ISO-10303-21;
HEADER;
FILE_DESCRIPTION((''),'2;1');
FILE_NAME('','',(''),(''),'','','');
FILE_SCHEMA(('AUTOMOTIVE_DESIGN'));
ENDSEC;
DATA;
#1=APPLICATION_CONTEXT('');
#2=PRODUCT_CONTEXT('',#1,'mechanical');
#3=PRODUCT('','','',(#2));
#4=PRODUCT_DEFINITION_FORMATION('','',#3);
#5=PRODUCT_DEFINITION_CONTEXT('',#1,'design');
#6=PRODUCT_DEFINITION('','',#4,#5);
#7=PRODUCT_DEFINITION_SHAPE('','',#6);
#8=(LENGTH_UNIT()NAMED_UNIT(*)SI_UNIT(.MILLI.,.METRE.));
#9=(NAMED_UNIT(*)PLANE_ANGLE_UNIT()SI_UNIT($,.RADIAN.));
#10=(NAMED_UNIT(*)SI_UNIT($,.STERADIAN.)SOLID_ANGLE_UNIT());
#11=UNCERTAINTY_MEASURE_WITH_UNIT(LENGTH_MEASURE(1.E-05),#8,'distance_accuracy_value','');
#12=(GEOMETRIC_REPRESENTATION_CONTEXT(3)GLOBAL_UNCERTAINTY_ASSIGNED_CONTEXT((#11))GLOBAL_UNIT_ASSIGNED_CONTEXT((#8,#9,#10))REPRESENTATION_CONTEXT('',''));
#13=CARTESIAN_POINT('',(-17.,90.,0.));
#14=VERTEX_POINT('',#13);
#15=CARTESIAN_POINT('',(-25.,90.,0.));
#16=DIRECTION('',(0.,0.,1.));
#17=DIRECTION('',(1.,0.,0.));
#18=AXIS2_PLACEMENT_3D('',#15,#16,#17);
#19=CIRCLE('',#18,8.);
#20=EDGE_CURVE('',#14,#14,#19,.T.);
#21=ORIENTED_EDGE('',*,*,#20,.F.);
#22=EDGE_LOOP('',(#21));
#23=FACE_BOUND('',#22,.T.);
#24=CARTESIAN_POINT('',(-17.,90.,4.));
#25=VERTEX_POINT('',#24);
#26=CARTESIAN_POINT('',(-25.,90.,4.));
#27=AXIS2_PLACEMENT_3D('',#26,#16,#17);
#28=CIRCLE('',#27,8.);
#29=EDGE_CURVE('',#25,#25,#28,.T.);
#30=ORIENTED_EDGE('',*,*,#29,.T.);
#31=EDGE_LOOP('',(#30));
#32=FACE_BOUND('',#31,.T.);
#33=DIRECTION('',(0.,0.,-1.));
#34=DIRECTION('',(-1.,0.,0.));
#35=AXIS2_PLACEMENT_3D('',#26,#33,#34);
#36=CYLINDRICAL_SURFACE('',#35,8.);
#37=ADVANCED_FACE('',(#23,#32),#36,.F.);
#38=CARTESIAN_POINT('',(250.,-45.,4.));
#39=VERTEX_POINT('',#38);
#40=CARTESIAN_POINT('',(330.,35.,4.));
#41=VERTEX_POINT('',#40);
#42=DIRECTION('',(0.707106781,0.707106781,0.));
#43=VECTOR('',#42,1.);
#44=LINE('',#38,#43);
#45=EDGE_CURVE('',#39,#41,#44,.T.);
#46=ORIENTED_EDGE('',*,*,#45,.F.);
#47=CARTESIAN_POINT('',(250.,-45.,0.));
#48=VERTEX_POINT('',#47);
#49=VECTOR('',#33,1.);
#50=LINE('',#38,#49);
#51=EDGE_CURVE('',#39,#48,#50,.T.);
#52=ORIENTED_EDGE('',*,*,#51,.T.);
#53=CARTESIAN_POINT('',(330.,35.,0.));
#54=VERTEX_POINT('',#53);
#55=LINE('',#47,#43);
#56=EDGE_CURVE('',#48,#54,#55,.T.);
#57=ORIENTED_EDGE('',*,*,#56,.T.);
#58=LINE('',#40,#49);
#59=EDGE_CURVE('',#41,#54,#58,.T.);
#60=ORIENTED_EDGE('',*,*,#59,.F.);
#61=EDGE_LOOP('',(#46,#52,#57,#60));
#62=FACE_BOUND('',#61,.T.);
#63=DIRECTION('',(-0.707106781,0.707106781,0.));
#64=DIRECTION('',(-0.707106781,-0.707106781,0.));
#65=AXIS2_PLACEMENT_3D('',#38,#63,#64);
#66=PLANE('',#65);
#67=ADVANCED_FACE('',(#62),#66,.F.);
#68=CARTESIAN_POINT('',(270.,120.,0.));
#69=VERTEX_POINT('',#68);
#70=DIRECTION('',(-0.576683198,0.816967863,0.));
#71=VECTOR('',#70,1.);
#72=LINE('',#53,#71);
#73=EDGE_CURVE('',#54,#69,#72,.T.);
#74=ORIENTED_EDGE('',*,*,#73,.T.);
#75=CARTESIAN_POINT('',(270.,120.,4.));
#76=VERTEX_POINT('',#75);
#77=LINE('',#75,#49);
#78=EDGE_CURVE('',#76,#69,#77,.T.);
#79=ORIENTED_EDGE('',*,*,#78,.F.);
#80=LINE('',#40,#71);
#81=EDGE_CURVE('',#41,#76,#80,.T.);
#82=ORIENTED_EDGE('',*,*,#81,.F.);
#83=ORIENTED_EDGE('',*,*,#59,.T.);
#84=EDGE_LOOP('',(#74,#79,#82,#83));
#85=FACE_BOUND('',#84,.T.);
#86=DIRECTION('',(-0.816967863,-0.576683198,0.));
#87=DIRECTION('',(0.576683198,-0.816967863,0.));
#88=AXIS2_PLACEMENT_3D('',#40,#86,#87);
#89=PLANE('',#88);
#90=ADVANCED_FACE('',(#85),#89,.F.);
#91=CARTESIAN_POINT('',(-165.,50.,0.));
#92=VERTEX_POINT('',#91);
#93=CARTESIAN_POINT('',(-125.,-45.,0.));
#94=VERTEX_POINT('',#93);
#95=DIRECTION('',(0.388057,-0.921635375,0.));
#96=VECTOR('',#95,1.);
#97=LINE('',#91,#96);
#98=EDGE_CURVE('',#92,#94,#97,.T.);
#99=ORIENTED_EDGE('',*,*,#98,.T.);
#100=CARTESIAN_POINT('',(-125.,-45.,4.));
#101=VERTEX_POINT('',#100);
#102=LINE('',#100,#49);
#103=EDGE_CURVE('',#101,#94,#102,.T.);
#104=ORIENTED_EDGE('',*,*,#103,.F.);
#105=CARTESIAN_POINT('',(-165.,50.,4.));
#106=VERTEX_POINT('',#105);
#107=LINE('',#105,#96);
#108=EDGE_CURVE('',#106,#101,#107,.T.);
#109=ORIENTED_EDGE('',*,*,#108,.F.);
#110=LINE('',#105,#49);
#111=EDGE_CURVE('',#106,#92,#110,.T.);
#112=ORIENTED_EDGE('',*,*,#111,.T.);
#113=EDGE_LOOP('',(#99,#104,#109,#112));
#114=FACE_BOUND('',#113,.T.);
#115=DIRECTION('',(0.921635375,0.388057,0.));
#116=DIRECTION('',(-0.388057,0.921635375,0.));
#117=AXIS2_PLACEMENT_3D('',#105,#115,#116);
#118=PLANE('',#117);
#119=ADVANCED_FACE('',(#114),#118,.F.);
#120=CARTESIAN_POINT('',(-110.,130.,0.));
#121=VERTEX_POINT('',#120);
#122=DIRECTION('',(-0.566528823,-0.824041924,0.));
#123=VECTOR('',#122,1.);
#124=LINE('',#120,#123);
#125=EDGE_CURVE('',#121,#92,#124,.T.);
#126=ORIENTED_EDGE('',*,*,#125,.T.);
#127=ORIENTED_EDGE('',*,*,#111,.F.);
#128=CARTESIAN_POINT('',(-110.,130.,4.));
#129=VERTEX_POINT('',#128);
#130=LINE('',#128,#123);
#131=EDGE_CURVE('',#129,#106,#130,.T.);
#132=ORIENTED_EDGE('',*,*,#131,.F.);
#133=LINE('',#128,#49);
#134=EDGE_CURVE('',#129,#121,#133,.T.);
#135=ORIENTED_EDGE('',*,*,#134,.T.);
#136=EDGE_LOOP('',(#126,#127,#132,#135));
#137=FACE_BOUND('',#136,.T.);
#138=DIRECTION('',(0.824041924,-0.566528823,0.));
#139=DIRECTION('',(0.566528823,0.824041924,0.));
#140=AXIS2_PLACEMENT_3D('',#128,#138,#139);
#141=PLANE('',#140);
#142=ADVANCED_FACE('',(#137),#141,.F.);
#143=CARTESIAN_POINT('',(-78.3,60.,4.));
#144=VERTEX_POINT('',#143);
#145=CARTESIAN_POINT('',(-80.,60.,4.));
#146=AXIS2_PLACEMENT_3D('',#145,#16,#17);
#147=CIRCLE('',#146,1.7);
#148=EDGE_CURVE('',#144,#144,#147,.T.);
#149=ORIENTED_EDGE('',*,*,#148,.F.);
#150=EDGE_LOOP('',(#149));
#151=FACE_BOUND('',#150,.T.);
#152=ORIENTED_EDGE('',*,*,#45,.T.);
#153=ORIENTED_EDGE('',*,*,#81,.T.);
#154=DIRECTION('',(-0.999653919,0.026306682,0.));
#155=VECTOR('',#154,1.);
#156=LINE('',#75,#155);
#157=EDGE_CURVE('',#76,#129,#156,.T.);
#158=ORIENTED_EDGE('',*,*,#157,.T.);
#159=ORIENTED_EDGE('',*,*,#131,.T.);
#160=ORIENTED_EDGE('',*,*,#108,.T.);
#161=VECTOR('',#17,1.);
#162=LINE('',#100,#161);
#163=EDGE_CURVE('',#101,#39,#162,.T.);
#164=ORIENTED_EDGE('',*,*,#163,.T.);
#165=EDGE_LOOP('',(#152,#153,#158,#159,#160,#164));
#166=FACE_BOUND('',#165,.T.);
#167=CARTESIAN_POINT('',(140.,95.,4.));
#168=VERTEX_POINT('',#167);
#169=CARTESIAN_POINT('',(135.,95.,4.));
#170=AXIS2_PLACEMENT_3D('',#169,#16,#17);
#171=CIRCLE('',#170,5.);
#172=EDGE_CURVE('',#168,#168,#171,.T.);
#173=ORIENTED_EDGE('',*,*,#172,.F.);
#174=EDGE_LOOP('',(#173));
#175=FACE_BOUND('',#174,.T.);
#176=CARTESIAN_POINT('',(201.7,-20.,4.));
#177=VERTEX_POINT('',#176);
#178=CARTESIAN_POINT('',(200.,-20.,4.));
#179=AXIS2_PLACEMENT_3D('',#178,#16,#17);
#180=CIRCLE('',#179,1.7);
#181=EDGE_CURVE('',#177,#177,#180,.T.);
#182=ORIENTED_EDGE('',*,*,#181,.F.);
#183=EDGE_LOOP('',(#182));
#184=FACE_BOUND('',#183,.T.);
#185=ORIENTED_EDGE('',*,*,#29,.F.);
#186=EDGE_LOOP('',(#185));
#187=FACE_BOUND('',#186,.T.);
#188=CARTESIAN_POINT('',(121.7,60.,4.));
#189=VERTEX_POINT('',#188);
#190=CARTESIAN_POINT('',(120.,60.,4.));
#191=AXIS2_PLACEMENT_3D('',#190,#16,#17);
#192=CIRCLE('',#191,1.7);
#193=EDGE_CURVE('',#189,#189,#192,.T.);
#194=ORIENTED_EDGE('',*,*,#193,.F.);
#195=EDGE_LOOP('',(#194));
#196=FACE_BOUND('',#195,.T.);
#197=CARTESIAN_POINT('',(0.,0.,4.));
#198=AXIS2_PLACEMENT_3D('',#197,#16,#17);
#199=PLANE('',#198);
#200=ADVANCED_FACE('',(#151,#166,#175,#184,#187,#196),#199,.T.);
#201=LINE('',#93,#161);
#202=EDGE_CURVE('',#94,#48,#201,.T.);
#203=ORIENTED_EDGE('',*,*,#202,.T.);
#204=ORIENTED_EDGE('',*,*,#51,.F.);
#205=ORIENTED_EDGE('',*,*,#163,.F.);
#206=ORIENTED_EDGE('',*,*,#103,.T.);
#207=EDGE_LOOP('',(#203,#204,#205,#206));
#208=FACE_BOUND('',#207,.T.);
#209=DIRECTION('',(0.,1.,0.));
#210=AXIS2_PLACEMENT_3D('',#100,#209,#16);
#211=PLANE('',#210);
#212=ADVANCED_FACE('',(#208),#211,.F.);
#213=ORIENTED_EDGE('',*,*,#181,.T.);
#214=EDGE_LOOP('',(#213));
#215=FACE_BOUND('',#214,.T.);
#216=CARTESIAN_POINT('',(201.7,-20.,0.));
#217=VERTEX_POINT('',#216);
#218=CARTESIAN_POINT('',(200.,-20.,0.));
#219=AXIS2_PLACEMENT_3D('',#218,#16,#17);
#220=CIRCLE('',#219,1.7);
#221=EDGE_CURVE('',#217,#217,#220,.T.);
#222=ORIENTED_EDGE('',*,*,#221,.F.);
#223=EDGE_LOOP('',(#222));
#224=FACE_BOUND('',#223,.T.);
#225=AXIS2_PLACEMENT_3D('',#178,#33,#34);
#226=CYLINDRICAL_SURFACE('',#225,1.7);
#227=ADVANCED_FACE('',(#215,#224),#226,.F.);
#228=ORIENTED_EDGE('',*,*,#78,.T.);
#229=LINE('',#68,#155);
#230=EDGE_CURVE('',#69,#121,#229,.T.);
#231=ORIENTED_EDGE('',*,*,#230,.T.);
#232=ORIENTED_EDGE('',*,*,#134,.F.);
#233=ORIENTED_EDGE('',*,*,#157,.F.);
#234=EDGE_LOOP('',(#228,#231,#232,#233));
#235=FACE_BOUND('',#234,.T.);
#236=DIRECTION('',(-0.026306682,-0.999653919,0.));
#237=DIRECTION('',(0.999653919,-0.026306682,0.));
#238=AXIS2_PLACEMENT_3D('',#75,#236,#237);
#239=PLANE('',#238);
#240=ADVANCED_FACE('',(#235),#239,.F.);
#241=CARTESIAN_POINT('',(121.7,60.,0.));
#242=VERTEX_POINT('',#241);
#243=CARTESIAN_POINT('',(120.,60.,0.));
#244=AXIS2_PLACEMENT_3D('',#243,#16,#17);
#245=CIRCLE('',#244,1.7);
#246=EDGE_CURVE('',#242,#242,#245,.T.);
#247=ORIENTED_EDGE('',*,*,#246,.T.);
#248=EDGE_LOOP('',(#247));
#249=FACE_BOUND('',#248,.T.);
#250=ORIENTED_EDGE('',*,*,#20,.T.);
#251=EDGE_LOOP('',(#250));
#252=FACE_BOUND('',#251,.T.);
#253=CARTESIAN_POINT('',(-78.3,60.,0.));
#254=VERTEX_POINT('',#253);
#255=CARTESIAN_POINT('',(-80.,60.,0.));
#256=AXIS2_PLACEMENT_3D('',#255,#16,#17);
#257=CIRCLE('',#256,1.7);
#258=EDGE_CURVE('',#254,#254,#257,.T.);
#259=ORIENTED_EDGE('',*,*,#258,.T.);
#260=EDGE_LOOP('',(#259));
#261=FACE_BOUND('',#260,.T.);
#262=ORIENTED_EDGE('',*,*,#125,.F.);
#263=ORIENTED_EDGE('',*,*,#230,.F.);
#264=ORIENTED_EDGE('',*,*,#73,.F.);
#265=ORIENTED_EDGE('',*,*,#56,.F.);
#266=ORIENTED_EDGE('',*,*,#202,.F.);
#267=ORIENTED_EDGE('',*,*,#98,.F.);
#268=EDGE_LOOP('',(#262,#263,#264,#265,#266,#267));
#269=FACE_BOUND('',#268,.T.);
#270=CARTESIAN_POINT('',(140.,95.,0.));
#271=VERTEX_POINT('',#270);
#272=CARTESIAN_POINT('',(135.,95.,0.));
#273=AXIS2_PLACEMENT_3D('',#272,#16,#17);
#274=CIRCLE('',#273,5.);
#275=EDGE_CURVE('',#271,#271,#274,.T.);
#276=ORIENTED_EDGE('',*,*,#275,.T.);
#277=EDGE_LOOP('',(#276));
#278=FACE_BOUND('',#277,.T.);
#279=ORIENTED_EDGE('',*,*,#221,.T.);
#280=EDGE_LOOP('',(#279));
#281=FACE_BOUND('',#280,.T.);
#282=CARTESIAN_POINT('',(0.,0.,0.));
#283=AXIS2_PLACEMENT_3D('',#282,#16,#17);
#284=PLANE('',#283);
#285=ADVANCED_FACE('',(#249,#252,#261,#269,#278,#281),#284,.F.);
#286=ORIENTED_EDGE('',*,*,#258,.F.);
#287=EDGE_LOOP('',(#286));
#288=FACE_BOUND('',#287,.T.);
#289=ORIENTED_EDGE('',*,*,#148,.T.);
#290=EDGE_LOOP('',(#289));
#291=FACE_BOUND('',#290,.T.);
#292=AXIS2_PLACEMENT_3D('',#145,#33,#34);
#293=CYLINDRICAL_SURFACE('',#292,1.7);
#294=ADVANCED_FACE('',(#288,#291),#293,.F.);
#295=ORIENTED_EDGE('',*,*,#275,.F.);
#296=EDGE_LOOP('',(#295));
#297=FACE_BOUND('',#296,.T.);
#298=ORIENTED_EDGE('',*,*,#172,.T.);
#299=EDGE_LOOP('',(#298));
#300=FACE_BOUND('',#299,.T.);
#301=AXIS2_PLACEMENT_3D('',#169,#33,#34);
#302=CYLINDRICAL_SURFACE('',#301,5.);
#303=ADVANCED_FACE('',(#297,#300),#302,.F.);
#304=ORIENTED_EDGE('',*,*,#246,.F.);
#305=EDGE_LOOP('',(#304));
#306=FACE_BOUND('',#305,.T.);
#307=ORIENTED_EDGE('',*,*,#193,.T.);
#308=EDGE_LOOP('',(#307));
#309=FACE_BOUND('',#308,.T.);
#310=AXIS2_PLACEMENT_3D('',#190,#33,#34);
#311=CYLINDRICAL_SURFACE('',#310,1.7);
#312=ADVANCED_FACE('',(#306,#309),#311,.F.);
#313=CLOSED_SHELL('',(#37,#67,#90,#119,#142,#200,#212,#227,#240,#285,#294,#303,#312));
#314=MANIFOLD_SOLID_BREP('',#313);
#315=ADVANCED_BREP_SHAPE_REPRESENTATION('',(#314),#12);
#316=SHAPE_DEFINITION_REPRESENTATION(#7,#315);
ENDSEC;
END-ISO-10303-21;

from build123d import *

# Parameters (mm, degrees)
SKETCH_1_R      = 1.7
SKETCH_1_R_2    = 8
SKETCH_1_R_3    = 5
EXTRUDE_1_DEPTH = 4


with BuildPart() as part:
    # 草图1 → 凸台-拉伸1 (new body)
    with BuildSketch(Plane.XY):
        Polygon((-125, -45), (250, -45), (330, 35), (270, 120), (-110, 130), (-165, 50), align=None)
        with Locations((-80, 60)):
            Circle(SKETCH_1_R, mode=Mode.SUBTRACT)
        with Locations((120, 60)):
            Circle(SKETCH_1_R, mode=Mode.SUBTRACT)
        with Locations((200, -20)):
            Circle(SKETCH_1_R, mode=Mode.SUBTRACT)
        with Locations((-25, 90)):
            Circle(SKETCH_1_R_2, mode=Mode.SUBTRACT)
        with Locations((135, 95)):
            Circle(SKETCH_1_R_3, mode=Mode.SUBTRACT)
    extrude(amount=EXTRUDE_1_DEPTH)


solid = part.part
